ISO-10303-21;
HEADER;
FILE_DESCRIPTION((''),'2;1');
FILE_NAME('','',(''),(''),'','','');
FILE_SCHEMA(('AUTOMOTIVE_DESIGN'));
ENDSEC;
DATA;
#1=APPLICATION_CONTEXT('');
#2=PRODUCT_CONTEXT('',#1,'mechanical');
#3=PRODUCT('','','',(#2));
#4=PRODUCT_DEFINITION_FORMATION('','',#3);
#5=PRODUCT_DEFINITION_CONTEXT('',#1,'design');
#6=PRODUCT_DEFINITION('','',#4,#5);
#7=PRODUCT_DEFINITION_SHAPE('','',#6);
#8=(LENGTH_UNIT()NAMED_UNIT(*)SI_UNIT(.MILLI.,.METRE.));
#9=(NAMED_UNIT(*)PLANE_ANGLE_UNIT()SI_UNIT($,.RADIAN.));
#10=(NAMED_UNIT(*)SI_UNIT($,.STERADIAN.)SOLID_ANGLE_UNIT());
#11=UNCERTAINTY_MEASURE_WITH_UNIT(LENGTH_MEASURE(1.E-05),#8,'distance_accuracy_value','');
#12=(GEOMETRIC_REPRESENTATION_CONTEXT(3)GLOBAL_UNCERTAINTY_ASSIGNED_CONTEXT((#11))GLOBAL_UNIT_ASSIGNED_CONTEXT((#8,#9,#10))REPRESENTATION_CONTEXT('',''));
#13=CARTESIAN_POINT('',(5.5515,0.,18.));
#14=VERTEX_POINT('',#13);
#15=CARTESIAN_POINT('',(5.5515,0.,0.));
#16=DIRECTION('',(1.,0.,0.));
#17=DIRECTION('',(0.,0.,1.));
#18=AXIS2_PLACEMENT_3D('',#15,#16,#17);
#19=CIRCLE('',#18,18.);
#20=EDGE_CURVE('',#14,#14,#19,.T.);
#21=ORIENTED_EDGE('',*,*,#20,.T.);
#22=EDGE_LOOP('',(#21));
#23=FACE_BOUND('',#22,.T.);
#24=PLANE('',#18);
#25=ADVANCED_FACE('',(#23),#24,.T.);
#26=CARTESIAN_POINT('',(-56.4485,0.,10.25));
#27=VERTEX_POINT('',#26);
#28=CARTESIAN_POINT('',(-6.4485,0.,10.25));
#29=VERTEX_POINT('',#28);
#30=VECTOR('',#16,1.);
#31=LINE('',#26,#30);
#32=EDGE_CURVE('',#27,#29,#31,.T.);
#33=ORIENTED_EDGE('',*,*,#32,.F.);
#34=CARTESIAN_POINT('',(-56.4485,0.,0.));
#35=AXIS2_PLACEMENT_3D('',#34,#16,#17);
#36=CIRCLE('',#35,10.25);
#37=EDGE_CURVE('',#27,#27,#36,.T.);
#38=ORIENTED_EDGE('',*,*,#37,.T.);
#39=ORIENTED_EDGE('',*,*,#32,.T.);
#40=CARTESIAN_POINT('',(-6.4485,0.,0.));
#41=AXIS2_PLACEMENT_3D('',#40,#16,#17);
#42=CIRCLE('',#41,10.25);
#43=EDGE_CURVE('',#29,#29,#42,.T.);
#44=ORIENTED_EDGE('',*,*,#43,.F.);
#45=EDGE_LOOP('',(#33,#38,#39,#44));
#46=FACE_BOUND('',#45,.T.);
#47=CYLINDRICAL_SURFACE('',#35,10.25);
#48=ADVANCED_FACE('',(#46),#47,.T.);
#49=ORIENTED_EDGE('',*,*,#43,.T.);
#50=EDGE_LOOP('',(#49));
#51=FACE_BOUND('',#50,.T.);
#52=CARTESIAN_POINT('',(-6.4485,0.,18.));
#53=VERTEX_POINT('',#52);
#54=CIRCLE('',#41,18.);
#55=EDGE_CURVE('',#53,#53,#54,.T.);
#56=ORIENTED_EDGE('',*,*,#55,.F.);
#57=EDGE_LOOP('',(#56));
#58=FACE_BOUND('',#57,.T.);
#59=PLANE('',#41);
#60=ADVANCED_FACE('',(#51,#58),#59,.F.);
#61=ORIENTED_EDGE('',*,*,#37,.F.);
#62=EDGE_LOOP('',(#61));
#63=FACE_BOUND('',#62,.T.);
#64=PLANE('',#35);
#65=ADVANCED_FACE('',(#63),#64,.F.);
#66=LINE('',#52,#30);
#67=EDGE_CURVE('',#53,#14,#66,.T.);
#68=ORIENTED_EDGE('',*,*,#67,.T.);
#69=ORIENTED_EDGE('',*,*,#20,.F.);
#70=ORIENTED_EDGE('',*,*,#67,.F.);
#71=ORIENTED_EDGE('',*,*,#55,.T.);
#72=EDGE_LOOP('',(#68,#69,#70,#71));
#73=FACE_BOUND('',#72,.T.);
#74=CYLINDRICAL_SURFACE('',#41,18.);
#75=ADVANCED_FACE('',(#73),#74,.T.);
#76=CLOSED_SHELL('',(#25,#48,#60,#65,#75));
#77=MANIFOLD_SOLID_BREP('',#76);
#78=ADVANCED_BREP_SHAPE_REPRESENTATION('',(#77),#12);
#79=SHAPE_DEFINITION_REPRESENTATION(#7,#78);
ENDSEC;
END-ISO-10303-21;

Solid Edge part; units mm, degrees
sketch "Sketch1" plane through (0, 0, 0) normal (0, -1, 0) x (1, 0, 0)
  line L0 (-56.4485, 0) -> (-56.4485, 10.25)
  line L1 (-56.4485, 10.25) -> (-6.4485, 10.25)
  line L2 (-6.4485, 10.25) -> (-6.4485, 18)
  line L3 (-6.4485, 18) -> (5.5515, 18)
  line L4 (5.5515, 18) -> (5.5515, 0)
  line L5 (5.5515, 0) -> (-56.4485, 0)
revolve "RevolvedProtrusion1" add sketch "Sketch1" angle 360 about axis through (21.325, 0, 0) along (1, 0, 0)
properties part number "MP-101" material "Copper"
